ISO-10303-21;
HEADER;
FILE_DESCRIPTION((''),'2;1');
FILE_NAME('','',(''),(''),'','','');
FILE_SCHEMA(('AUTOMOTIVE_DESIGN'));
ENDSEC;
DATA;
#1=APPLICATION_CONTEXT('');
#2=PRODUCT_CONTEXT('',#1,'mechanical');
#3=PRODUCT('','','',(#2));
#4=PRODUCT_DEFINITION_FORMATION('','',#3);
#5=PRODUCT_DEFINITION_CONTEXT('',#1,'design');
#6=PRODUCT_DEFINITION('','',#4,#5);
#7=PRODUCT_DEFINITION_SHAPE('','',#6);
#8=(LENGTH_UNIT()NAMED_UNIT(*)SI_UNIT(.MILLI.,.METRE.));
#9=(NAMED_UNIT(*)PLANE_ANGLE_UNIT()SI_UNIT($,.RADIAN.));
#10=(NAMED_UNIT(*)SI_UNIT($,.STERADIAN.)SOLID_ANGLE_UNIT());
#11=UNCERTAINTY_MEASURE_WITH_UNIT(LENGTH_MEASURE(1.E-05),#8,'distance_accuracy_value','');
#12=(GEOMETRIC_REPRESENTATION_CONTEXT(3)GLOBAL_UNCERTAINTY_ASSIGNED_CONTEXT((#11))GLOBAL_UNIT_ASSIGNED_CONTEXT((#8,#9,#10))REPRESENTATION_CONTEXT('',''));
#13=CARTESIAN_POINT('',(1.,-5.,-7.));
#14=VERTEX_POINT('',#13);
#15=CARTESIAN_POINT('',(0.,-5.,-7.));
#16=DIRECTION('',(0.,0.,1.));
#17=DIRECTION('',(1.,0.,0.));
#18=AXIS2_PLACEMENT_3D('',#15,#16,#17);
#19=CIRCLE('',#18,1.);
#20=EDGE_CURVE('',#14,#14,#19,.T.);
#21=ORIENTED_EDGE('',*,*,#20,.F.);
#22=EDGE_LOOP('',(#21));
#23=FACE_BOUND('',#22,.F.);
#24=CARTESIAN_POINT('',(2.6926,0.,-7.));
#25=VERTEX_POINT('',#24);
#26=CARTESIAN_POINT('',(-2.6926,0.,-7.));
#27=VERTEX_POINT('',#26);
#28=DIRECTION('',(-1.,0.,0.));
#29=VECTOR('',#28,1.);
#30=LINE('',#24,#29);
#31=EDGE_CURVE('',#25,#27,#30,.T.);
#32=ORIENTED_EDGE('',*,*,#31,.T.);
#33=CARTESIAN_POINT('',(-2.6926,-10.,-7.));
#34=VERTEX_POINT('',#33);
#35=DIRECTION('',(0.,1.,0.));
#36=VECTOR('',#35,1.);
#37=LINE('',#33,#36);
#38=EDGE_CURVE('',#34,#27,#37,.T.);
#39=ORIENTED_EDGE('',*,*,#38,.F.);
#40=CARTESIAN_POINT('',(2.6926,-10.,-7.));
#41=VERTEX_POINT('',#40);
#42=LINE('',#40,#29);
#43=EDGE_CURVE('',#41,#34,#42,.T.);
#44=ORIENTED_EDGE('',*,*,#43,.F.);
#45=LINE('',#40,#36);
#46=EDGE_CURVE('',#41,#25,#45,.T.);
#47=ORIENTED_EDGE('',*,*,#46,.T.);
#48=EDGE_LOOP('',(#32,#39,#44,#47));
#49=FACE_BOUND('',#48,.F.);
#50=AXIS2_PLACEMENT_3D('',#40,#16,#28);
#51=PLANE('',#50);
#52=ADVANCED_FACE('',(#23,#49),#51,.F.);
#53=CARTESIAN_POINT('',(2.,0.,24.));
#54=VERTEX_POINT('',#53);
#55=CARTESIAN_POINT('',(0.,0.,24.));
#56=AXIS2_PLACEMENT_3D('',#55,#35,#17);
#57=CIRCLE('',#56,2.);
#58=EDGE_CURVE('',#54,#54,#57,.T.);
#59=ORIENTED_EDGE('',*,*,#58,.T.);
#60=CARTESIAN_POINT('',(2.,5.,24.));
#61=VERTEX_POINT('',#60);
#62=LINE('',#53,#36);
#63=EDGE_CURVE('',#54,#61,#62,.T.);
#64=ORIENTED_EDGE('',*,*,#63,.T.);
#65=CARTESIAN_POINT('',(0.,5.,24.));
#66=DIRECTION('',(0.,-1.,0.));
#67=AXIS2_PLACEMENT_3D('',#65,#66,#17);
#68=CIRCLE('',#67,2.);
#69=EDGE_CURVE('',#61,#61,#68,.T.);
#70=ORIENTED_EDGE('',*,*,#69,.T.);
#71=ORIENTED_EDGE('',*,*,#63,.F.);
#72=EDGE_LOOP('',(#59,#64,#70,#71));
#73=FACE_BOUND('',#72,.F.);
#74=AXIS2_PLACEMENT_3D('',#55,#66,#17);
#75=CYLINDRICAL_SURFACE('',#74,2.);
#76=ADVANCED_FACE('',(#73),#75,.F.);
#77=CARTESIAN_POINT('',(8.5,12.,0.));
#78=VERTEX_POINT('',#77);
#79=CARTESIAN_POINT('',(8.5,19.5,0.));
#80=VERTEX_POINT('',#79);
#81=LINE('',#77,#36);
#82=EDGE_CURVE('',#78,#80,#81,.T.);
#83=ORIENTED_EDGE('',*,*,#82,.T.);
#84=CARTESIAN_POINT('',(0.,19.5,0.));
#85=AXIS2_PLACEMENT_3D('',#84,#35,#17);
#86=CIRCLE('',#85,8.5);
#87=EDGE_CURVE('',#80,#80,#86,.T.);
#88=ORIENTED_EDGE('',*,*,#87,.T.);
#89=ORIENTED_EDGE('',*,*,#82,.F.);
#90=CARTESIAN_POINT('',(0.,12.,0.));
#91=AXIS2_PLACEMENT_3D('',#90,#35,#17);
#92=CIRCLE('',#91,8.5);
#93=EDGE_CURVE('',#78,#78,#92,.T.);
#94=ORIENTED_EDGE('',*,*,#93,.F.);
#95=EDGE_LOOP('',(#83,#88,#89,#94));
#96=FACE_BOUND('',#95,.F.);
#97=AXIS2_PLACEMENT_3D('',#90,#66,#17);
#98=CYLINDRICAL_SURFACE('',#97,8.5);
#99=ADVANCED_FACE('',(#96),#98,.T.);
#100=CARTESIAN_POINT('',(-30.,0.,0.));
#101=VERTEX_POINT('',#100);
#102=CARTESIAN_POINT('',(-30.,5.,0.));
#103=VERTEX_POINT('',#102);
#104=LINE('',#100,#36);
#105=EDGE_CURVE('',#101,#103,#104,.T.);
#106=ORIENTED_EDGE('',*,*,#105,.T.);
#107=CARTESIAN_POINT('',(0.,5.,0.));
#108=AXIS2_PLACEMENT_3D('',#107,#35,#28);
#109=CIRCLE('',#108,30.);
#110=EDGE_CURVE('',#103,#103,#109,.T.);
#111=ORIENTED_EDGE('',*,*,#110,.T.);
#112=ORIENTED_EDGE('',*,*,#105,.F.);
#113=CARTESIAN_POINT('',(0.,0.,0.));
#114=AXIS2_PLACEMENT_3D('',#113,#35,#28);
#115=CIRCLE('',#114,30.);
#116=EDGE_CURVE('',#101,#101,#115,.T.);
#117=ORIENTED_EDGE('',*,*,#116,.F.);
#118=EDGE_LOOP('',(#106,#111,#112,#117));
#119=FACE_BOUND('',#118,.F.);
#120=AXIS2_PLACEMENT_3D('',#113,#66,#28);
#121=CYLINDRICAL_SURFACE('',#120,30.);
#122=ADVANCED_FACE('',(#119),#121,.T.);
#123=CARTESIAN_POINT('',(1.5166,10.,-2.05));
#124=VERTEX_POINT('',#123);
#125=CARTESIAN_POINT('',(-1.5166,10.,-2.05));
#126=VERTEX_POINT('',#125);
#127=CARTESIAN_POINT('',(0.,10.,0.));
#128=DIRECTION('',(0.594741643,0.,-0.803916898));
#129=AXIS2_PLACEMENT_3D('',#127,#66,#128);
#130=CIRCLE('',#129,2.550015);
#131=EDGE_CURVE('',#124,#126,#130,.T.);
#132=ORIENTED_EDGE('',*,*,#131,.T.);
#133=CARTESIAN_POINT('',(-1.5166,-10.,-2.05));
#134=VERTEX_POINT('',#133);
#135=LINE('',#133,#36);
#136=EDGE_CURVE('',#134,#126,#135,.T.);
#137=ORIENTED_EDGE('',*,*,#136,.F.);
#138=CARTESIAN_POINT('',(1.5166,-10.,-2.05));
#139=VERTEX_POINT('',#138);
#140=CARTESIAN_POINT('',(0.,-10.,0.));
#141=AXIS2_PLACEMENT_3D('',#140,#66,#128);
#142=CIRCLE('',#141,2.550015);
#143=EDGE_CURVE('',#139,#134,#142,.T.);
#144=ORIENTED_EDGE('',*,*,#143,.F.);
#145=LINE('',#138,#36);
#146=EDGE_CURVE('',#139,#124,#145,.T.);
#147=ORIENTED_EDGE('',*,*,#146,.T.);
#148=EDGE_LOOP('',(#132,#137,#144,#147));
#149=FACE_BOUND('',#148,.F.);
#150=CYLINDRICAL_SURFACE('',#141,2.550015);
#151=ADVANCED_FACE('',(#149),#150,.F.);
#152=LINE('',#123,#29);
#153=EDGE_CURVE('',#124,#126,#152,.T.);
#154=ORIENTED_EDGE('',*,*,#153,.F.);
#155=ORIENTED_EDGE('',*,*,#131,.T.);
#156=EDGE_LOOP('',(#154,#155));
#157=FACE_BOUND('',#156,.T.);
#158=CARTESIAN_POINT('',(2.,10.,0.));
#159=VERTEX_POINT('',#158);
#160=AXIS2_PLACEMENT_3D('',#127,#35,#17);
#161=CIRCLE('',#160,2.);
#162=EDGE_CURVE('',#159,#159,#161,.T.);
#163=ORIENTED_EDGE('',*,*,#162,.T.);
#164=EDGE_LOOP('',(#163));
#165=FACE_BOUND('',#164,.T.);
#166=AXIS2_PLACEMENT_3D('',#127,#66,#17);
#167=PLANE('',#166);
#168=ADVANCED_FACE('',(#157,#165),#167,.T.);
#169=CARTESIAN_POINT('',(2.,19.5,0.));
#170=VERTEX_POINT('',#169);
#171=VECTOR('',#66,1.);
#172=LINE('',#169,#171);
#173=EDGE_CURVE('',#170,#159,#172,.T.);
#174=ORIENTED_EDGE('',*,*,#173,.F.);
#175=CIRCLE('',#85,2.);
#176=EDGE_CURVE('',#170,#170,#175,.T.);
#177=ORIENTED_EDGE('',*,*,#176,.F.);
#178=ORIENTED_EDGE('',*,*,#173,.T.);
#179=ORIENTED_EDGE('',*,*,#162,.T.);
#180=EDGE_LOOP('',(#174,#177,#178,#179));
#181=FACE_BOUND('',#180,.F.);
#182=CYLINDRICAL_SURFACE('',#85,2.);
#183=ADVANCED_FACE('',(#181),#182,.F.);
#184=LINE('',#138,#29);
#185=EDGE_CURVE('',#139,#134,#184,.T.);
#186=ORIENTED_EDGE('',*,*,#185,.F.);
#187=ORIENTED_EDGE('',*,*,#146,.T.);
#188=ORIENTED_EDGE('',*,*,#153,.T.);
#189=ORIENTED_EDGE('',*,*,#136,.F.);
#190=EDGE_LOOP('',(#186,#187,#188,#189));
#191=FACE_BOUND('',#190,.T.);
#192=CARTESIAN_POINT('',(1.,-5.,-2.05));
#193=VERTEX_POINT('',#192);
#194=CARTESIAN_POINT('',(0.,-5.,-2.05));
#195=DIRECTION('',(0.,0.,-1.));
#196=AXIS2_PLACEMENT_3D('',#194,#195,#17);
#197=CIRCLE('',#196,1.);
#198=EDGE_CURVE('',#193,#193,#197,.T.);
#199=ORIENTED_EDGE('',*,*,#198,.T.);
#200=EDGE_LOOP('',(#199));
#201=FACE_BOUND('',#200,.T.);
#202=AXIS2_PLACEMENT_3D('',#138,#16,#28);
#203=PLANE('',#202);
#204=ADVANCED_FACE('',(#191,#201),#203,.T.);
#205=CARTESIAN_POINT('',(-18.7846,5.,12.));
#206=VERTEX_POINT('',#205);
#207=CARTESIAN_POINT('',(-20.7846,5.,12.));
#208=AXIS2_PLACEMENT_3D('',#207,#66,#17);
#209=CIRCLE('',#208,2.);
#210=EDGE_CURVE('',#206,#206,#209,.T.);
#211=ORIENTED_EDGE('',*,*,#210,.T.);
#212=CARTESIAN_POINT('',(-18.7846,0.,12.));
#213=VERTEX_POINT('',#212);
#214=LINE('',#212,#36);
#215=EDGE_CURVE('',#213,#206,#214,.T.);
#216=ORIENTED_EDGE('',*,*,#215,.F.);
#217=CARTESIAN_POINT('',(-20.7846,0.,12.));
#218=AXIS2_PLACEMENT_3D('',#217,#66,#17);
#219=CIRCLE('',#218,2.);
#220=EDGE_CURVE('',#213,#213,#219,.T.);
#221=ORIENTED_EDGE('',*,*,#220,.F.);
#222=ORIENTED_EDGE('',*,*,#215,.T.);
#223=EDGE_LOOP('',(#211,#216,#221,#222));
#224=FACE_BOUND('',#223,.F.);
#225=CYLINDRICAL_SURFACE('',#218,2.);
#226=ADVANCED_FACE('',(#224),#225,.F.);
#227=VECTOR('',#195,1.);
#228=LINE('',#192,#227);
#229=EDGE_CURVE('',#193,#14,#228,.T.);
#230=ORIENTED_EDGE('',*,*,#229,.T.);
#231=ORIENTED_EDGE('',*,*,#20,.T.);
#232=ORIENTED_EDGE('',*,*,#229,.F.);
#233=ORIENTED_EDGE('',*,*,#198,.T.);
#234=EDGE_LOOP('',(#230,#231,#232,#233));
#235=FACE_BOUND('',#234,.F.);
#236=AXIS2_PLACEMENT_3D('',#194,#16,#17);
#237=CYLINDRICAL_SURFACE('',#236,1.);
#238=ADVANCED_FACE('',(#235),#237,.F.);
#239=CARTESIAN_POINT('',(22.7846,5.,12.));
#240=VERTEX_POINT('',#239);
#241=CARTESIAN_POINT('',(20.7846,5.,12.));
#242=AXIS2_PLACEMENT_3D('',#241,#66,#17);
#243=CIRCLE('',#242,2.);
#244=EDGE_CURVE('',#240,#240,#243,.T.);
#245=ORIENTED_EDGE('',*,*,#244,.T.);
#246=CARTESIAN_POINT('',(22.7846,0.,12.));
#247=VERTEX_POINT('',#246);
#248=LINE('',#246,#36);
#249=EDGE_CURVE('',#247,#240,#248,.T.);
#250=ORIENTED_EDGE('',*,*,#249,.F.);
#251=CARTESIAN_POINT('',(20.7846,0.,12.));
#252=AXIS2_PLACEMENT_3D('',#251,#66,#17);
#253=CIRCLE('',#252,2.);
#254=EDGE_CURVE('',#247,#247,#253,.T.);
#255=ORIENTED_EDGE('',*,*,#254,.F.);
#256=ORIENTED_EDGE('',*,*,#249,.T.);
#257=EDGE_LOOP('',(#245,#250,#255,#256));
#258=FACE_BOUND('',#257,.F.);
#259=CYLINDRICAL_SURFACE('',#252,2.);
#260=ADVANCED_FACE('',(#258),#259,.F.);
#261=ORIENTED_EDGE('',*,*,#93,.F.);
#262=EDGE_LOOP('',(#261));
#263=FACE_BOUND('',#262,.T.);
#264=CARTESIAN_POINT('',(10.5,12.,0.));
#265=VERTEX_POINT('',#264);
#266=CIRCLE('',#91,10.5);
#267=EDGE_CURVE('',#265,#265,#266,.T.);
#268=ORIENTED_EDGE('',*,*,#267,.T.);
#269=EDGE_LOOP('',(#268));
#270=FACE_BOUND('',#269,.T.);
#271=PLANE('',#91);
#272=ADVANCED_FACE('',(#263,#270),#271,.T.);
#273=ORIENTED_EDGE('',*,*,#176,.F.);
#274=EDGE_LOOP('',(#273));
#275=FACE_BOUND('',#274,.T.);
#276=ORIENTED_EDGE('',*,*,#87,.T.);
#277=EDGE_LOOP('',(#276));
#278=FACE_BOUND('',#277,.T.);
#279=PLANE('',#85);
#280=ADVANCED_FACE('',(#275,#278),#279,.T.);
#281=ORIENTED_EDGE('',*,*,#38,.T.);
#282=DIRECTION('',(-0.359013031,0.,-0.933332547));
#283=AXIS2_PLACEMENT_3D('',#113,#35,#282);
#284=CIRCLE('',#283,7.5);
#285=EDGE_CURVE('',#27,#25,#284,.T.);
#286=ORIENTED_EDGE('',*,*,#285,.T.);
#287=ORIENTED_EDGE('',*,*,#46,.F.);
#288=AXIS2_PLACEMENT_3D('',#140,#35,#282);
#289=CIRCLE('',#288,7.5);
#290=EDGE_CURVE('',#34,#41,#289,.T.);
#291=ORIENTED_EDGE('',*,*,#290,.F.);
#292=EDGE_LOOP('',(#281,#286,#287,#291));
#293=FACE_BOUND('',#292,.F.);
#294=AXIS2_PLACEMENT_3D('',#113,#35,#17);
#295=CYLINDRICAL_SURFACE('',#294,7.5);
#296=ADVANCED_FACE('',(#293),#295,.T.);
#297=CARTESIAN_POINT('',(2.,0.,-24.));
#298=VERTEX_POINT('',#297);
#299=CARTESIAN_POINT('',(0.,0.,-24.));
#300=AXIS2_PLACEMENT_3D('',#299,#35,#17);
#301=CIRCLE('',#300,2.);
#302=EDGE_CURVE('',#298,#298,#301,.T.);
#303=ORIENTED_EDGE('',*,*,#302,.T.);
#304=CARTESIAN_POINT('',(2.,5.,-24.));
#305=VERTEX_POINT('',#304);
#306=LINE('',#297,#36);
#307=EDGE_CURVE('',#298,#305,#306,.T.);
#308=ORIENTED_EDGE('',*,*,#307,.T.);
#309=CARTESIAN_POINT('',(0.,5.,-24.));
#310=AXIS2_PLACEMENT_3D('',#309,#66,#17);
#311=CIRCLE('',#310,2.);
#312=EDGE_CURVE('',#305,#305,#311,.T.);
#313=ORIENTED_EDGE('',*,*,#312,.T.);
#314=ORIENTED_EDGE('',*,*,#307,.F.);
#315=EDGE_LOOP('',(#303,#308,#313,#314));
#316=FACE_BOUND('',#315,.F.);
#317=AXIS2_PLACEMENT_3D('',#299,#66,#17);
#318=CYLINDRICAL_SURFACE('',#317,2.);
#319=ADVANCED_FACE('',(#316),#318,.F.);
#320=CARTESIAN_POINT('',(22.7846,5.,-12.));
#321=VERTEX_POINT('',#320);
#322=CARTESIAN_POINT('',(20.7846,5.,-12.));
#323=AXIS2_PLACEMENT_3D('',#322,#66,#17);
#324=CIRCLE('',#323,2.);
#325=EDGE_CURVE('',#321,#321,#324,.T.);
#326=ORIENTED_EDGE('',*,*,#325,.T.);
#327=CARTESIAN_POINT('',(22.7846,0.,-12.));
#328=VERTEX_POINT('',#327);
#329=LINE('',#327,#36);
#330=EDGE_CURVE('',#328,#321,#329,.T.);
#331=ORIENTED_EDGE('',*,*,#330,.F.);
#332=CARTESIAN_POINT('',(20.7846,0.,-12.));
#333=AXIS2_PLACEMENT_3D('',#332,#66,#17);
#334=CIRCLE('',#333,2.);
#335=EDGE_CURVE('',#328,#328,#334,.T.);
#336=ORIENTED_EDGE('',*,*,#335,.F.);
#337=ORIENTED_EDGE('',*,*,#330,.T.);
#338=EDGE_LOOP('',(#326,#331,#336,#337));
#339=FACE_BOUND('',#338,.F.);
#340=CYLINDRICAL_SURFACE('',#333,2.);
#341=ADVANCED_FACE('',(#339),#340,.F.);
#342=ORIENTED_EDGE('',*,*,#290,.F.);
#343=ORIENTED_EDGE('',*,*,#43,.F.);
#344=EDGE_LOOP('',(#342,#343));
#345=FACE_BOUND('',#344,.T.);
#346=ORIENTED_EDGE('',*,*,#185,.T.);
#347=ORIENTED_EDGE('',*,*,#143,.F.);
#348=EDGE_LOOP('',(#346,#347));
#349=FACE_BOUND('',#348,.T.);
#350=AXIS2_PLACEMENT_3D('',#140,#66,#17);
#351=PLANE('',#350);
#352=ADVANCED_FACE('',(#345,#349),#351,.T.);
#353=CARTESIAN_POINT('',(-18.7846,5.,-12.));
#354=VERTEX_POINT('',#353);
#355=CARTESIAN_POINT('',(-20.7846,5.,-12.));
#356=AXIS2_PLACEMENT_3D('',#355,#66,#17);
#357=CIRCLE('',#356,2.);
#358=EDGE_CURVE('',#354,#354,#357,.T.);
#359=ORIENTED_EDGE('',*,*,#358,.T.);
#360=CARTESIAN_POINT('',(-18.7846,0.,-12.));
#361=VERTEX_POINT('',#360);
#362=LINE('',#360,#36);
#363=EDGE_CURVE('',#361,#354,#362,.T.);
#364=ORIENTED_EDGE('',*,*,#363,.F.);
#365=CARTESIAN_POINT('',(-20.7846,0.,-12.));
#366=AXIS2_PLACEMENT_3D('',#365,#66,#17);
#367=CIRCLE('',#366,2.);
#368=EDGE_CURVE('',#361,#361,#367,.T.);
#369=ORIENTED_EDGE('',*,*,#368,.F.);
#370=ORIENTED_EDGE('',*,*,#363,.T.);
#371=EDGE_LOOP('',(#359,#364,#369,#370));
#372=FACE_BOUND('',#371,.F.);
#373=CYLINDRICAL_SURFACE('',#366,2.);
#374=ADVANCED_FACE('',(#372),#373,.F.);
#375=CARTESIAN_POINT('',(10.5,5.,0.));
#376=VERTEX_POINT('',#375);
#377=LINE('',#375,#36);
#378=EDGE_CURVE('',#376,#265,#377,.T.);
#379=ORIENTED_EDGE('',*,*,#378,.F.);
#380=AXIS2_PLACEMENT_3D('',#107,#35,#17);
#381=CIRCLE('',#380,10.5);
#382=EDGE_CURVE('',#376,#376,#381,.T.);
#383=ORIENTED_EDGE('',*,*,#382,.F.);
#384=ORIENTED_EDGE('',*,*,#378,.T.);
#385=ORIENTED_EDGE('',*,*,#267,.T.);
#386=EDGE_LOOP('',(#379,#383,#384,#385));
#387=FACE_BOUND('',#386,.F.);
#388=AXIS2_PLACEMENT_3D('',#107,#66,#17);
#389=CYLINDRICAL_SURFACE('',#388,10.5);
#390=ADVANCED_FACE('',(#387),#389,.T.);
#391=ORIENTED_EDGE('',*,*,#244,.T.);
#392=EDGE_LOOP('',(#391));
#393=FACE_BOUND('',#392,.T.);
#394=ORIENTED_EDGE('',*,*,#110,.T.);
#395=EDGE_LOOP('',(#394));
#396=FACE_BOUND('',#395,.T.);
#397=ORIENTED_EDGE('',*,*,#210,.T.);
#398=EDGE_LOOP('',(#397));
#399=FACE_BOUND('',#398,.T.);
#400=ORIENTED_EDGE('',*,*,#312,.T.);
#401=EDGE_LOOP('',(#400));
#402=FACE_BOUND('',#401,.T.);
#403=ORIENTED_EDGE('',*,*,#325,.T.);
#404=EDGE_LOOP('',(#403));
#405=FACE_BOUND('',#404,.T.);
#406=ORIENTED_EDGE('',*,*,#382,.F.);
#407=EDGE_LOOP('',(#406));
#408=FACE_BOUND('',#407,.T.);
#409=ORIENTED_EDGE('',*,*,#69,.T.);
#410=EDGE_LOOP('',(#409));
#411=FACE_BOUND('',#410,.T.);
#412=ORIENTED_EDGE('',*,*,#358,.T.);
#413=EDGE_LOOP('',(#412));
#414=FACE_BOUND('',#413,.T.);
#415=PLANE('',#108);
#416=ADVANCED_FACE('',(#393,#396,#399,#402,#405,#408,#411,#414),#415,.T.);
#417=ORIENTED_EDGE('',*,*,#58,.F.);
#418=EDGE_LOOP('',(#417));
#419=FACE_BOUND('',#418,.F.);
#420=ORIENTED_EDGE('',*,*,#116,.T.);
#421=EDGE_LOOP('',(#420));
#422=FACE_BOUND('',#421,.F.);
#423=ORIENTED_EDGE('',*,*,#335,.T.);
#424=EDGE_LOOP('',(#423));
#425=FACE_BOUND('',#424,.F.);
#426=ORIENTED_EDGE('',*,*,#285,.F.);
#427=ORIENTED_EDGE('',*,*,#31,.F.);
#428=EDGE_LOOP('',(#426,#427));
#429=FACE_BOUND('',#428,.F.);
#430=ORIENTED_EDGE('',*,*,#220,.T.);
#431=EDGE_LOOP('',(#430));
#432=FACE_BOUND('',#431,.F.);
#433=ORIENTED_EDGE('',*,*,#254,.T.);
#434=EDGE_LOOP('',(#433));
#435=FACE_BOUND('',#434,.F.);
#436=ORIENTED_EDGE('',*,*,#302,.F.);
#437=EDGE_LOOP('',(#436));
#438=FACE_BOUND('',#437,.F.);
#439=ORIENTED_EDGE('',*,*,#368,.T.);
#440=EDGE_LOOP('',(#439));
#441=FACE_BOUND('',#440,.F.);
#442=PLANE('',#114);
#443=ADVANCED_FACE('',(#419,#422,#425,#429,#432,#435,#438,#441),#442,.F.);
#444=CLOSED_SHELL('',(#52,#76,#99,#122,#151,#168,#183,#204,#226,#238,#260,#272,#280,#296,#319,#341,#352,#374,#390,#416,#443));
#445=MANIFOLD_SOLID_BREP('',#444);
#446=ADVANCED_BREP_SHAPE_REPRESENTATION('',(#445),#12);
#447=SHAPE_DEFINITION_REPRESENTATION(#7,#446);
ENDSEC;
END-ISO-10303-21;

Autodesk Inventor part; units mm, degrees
ref_plane "YZ Plane" through (0, 0, 0) normal (1, 0, 0) x (0, 1, 0)
ref_plane "XZ Plane" through (0, 0, 0) normal (0, 1, 0) x (-1, 0, 0)
ref_plane "XY Plane" through (0, 0, 0) normal (0, 0, 1) x (1, 0, 0)
sketch "Skizze2" plane through (0, 0, 0) normal (0, 1, 0) x (-1, 0, 0)
  circle A0 centre (0, 0) radius 30
  dimension "d3" = 60
extrude "Extrusion2" add sketch "Skizze2" along normal blind 5
sketch "Skizze3" plane through (0, 5, 0) normal (0, 1, 0) x (1, 0, 0)
  circle A0 centre (0, 0) radius 10.5
  dimension "d6" = 21
extrude "Extrusion3" add sketch "Skizze3" along normal blind 7
sketch "Skizze4" plane through (0, 0, 0) normal (0, -1, 0) x (1, 0, 0)
  circle A0 centre (0, 0) radius 7.5
  dimension "d9" = 15
extrude "Extrusion4" add sketch "Skizze4" along normal blind 10
sketch "Skizze5" plane through (0, -10, 0) normal (0, -1, 0) x (1, 0, 0)
  arc A0 (1.5166, -2.05) -> (-1.5166, -2.05) centre (0, 0) ccw
  line L0 (1.5166, -2.05) -> (-1.5166, -2.05)
  dimension "d12" = 5.1
  dimension "d14" = 4.6
extrude "Extrusion5" cut sketch "Skizze5" against normal blind 20
sketch "Skizze6" plane through (-1.5166, -10, -2.05) normal (0, 0, 1) x (1, 0, 0)
  line L0 (-5.9834, 0) -> (9.0166, 0) projected
  line L1 (1.5166, 0) -> (1.5166, 10)
  line L2 (1.5166, 10) -> (1.5166, 0)
  circle A0 centre (1.5166, 5) radius 1
  dimension "d17" = 2
  dimension "d20" = 5
extrude "Extrusion6" cut sketch "Skizze6" against normal blind 20
sketch "Skizze7" plane through (0, -10, 0) normal (0, -1, 0) x (1, 0, 0)
  circle A0 centre (0, 0) radius 7.5 projected
  line L0 (2.6926, -7) -> (-2.6926, -7)
  point P0 (0, -7)
  dimension "d23" = 7
extrude "Extrusion7" cut sketch "Skizze7" against normal blind 10 contours L0 A0 picked at (0.3052, -7.148)
sketch "Skizze8" plane through (0, 0, 0) normal (0, -1, 0) x (1, 0, 0)
  circle A0 centre (0, 0) radius 24 construction
  line L0 (20.7846, 12) -> (20.7846, -12) construction
  line L1 (20.7846, -12) -> (0, -24) construction
  line L2 (0, -24) -> (-20.7846, -12) construction
  line L3 (-20.7846, -12) -> (-20.7846, 12) construction
  line L4 (-20.7846, 12) -> (0, 24) construction
  line L5 (0, 24) -> (20.7846, 12) construction
  circle A1 centre (0, 0) radius 30 projected
  line L6 (30, 0) -> (-30, 0)
  line L7 (0, -30) -> (0, 30)
  circle A2 centre (0, -24) radius 2
  circle A3 centre (20.7846, -12) radius 2
  circle A4 centre (20.7846, 12) radius 2
  circle A5 centre (0, 24) radius 2
  circle A6 centre (-20.7846, 12) radius 2
  circle A7 centre (-20.7846, -12) radius 2
  dimension "d26" = 48
  dimension "d27" = 24
  dimension "d28" = 4
  dimension "d29" = 4
  dimension "d30" = 4
  dimension "d31" = 4
  dimension "d32" = 4
  dimension "d33" = 4
extrude "Extrusion8" cut sketch "Skizze8" against normal blind 20 contours A5 L7 | L7 A5 | A2 L7 | L7 A2 | A3 | A4 | A6 | A7
sketch "Skizze9" plane through (0, 12, 0) normal (0, 1, 0) x (1, 0, 0)
  arc A0 (-1.5166, 2.05) -> (1.5166, 2.05) centre (0, 0) ccw projected
  circle A1 centre (0, 0) radius 8.5
  dimension "d36" = 17
extrude "Extrusion9" add sketch "Skizze9" along normal blind 7.5
sketch "Skizze11" plane through (0, 19.5, 0) normal (0, 1, 0) x (1, 0, 0)
  circle A0 centre (0, 0) radius 2
  dimension "d47" = 4
extrude "Extrusion10" cut sketch "Skizze11" against normal blind 50
properties part number "Radaufhängung_06"
